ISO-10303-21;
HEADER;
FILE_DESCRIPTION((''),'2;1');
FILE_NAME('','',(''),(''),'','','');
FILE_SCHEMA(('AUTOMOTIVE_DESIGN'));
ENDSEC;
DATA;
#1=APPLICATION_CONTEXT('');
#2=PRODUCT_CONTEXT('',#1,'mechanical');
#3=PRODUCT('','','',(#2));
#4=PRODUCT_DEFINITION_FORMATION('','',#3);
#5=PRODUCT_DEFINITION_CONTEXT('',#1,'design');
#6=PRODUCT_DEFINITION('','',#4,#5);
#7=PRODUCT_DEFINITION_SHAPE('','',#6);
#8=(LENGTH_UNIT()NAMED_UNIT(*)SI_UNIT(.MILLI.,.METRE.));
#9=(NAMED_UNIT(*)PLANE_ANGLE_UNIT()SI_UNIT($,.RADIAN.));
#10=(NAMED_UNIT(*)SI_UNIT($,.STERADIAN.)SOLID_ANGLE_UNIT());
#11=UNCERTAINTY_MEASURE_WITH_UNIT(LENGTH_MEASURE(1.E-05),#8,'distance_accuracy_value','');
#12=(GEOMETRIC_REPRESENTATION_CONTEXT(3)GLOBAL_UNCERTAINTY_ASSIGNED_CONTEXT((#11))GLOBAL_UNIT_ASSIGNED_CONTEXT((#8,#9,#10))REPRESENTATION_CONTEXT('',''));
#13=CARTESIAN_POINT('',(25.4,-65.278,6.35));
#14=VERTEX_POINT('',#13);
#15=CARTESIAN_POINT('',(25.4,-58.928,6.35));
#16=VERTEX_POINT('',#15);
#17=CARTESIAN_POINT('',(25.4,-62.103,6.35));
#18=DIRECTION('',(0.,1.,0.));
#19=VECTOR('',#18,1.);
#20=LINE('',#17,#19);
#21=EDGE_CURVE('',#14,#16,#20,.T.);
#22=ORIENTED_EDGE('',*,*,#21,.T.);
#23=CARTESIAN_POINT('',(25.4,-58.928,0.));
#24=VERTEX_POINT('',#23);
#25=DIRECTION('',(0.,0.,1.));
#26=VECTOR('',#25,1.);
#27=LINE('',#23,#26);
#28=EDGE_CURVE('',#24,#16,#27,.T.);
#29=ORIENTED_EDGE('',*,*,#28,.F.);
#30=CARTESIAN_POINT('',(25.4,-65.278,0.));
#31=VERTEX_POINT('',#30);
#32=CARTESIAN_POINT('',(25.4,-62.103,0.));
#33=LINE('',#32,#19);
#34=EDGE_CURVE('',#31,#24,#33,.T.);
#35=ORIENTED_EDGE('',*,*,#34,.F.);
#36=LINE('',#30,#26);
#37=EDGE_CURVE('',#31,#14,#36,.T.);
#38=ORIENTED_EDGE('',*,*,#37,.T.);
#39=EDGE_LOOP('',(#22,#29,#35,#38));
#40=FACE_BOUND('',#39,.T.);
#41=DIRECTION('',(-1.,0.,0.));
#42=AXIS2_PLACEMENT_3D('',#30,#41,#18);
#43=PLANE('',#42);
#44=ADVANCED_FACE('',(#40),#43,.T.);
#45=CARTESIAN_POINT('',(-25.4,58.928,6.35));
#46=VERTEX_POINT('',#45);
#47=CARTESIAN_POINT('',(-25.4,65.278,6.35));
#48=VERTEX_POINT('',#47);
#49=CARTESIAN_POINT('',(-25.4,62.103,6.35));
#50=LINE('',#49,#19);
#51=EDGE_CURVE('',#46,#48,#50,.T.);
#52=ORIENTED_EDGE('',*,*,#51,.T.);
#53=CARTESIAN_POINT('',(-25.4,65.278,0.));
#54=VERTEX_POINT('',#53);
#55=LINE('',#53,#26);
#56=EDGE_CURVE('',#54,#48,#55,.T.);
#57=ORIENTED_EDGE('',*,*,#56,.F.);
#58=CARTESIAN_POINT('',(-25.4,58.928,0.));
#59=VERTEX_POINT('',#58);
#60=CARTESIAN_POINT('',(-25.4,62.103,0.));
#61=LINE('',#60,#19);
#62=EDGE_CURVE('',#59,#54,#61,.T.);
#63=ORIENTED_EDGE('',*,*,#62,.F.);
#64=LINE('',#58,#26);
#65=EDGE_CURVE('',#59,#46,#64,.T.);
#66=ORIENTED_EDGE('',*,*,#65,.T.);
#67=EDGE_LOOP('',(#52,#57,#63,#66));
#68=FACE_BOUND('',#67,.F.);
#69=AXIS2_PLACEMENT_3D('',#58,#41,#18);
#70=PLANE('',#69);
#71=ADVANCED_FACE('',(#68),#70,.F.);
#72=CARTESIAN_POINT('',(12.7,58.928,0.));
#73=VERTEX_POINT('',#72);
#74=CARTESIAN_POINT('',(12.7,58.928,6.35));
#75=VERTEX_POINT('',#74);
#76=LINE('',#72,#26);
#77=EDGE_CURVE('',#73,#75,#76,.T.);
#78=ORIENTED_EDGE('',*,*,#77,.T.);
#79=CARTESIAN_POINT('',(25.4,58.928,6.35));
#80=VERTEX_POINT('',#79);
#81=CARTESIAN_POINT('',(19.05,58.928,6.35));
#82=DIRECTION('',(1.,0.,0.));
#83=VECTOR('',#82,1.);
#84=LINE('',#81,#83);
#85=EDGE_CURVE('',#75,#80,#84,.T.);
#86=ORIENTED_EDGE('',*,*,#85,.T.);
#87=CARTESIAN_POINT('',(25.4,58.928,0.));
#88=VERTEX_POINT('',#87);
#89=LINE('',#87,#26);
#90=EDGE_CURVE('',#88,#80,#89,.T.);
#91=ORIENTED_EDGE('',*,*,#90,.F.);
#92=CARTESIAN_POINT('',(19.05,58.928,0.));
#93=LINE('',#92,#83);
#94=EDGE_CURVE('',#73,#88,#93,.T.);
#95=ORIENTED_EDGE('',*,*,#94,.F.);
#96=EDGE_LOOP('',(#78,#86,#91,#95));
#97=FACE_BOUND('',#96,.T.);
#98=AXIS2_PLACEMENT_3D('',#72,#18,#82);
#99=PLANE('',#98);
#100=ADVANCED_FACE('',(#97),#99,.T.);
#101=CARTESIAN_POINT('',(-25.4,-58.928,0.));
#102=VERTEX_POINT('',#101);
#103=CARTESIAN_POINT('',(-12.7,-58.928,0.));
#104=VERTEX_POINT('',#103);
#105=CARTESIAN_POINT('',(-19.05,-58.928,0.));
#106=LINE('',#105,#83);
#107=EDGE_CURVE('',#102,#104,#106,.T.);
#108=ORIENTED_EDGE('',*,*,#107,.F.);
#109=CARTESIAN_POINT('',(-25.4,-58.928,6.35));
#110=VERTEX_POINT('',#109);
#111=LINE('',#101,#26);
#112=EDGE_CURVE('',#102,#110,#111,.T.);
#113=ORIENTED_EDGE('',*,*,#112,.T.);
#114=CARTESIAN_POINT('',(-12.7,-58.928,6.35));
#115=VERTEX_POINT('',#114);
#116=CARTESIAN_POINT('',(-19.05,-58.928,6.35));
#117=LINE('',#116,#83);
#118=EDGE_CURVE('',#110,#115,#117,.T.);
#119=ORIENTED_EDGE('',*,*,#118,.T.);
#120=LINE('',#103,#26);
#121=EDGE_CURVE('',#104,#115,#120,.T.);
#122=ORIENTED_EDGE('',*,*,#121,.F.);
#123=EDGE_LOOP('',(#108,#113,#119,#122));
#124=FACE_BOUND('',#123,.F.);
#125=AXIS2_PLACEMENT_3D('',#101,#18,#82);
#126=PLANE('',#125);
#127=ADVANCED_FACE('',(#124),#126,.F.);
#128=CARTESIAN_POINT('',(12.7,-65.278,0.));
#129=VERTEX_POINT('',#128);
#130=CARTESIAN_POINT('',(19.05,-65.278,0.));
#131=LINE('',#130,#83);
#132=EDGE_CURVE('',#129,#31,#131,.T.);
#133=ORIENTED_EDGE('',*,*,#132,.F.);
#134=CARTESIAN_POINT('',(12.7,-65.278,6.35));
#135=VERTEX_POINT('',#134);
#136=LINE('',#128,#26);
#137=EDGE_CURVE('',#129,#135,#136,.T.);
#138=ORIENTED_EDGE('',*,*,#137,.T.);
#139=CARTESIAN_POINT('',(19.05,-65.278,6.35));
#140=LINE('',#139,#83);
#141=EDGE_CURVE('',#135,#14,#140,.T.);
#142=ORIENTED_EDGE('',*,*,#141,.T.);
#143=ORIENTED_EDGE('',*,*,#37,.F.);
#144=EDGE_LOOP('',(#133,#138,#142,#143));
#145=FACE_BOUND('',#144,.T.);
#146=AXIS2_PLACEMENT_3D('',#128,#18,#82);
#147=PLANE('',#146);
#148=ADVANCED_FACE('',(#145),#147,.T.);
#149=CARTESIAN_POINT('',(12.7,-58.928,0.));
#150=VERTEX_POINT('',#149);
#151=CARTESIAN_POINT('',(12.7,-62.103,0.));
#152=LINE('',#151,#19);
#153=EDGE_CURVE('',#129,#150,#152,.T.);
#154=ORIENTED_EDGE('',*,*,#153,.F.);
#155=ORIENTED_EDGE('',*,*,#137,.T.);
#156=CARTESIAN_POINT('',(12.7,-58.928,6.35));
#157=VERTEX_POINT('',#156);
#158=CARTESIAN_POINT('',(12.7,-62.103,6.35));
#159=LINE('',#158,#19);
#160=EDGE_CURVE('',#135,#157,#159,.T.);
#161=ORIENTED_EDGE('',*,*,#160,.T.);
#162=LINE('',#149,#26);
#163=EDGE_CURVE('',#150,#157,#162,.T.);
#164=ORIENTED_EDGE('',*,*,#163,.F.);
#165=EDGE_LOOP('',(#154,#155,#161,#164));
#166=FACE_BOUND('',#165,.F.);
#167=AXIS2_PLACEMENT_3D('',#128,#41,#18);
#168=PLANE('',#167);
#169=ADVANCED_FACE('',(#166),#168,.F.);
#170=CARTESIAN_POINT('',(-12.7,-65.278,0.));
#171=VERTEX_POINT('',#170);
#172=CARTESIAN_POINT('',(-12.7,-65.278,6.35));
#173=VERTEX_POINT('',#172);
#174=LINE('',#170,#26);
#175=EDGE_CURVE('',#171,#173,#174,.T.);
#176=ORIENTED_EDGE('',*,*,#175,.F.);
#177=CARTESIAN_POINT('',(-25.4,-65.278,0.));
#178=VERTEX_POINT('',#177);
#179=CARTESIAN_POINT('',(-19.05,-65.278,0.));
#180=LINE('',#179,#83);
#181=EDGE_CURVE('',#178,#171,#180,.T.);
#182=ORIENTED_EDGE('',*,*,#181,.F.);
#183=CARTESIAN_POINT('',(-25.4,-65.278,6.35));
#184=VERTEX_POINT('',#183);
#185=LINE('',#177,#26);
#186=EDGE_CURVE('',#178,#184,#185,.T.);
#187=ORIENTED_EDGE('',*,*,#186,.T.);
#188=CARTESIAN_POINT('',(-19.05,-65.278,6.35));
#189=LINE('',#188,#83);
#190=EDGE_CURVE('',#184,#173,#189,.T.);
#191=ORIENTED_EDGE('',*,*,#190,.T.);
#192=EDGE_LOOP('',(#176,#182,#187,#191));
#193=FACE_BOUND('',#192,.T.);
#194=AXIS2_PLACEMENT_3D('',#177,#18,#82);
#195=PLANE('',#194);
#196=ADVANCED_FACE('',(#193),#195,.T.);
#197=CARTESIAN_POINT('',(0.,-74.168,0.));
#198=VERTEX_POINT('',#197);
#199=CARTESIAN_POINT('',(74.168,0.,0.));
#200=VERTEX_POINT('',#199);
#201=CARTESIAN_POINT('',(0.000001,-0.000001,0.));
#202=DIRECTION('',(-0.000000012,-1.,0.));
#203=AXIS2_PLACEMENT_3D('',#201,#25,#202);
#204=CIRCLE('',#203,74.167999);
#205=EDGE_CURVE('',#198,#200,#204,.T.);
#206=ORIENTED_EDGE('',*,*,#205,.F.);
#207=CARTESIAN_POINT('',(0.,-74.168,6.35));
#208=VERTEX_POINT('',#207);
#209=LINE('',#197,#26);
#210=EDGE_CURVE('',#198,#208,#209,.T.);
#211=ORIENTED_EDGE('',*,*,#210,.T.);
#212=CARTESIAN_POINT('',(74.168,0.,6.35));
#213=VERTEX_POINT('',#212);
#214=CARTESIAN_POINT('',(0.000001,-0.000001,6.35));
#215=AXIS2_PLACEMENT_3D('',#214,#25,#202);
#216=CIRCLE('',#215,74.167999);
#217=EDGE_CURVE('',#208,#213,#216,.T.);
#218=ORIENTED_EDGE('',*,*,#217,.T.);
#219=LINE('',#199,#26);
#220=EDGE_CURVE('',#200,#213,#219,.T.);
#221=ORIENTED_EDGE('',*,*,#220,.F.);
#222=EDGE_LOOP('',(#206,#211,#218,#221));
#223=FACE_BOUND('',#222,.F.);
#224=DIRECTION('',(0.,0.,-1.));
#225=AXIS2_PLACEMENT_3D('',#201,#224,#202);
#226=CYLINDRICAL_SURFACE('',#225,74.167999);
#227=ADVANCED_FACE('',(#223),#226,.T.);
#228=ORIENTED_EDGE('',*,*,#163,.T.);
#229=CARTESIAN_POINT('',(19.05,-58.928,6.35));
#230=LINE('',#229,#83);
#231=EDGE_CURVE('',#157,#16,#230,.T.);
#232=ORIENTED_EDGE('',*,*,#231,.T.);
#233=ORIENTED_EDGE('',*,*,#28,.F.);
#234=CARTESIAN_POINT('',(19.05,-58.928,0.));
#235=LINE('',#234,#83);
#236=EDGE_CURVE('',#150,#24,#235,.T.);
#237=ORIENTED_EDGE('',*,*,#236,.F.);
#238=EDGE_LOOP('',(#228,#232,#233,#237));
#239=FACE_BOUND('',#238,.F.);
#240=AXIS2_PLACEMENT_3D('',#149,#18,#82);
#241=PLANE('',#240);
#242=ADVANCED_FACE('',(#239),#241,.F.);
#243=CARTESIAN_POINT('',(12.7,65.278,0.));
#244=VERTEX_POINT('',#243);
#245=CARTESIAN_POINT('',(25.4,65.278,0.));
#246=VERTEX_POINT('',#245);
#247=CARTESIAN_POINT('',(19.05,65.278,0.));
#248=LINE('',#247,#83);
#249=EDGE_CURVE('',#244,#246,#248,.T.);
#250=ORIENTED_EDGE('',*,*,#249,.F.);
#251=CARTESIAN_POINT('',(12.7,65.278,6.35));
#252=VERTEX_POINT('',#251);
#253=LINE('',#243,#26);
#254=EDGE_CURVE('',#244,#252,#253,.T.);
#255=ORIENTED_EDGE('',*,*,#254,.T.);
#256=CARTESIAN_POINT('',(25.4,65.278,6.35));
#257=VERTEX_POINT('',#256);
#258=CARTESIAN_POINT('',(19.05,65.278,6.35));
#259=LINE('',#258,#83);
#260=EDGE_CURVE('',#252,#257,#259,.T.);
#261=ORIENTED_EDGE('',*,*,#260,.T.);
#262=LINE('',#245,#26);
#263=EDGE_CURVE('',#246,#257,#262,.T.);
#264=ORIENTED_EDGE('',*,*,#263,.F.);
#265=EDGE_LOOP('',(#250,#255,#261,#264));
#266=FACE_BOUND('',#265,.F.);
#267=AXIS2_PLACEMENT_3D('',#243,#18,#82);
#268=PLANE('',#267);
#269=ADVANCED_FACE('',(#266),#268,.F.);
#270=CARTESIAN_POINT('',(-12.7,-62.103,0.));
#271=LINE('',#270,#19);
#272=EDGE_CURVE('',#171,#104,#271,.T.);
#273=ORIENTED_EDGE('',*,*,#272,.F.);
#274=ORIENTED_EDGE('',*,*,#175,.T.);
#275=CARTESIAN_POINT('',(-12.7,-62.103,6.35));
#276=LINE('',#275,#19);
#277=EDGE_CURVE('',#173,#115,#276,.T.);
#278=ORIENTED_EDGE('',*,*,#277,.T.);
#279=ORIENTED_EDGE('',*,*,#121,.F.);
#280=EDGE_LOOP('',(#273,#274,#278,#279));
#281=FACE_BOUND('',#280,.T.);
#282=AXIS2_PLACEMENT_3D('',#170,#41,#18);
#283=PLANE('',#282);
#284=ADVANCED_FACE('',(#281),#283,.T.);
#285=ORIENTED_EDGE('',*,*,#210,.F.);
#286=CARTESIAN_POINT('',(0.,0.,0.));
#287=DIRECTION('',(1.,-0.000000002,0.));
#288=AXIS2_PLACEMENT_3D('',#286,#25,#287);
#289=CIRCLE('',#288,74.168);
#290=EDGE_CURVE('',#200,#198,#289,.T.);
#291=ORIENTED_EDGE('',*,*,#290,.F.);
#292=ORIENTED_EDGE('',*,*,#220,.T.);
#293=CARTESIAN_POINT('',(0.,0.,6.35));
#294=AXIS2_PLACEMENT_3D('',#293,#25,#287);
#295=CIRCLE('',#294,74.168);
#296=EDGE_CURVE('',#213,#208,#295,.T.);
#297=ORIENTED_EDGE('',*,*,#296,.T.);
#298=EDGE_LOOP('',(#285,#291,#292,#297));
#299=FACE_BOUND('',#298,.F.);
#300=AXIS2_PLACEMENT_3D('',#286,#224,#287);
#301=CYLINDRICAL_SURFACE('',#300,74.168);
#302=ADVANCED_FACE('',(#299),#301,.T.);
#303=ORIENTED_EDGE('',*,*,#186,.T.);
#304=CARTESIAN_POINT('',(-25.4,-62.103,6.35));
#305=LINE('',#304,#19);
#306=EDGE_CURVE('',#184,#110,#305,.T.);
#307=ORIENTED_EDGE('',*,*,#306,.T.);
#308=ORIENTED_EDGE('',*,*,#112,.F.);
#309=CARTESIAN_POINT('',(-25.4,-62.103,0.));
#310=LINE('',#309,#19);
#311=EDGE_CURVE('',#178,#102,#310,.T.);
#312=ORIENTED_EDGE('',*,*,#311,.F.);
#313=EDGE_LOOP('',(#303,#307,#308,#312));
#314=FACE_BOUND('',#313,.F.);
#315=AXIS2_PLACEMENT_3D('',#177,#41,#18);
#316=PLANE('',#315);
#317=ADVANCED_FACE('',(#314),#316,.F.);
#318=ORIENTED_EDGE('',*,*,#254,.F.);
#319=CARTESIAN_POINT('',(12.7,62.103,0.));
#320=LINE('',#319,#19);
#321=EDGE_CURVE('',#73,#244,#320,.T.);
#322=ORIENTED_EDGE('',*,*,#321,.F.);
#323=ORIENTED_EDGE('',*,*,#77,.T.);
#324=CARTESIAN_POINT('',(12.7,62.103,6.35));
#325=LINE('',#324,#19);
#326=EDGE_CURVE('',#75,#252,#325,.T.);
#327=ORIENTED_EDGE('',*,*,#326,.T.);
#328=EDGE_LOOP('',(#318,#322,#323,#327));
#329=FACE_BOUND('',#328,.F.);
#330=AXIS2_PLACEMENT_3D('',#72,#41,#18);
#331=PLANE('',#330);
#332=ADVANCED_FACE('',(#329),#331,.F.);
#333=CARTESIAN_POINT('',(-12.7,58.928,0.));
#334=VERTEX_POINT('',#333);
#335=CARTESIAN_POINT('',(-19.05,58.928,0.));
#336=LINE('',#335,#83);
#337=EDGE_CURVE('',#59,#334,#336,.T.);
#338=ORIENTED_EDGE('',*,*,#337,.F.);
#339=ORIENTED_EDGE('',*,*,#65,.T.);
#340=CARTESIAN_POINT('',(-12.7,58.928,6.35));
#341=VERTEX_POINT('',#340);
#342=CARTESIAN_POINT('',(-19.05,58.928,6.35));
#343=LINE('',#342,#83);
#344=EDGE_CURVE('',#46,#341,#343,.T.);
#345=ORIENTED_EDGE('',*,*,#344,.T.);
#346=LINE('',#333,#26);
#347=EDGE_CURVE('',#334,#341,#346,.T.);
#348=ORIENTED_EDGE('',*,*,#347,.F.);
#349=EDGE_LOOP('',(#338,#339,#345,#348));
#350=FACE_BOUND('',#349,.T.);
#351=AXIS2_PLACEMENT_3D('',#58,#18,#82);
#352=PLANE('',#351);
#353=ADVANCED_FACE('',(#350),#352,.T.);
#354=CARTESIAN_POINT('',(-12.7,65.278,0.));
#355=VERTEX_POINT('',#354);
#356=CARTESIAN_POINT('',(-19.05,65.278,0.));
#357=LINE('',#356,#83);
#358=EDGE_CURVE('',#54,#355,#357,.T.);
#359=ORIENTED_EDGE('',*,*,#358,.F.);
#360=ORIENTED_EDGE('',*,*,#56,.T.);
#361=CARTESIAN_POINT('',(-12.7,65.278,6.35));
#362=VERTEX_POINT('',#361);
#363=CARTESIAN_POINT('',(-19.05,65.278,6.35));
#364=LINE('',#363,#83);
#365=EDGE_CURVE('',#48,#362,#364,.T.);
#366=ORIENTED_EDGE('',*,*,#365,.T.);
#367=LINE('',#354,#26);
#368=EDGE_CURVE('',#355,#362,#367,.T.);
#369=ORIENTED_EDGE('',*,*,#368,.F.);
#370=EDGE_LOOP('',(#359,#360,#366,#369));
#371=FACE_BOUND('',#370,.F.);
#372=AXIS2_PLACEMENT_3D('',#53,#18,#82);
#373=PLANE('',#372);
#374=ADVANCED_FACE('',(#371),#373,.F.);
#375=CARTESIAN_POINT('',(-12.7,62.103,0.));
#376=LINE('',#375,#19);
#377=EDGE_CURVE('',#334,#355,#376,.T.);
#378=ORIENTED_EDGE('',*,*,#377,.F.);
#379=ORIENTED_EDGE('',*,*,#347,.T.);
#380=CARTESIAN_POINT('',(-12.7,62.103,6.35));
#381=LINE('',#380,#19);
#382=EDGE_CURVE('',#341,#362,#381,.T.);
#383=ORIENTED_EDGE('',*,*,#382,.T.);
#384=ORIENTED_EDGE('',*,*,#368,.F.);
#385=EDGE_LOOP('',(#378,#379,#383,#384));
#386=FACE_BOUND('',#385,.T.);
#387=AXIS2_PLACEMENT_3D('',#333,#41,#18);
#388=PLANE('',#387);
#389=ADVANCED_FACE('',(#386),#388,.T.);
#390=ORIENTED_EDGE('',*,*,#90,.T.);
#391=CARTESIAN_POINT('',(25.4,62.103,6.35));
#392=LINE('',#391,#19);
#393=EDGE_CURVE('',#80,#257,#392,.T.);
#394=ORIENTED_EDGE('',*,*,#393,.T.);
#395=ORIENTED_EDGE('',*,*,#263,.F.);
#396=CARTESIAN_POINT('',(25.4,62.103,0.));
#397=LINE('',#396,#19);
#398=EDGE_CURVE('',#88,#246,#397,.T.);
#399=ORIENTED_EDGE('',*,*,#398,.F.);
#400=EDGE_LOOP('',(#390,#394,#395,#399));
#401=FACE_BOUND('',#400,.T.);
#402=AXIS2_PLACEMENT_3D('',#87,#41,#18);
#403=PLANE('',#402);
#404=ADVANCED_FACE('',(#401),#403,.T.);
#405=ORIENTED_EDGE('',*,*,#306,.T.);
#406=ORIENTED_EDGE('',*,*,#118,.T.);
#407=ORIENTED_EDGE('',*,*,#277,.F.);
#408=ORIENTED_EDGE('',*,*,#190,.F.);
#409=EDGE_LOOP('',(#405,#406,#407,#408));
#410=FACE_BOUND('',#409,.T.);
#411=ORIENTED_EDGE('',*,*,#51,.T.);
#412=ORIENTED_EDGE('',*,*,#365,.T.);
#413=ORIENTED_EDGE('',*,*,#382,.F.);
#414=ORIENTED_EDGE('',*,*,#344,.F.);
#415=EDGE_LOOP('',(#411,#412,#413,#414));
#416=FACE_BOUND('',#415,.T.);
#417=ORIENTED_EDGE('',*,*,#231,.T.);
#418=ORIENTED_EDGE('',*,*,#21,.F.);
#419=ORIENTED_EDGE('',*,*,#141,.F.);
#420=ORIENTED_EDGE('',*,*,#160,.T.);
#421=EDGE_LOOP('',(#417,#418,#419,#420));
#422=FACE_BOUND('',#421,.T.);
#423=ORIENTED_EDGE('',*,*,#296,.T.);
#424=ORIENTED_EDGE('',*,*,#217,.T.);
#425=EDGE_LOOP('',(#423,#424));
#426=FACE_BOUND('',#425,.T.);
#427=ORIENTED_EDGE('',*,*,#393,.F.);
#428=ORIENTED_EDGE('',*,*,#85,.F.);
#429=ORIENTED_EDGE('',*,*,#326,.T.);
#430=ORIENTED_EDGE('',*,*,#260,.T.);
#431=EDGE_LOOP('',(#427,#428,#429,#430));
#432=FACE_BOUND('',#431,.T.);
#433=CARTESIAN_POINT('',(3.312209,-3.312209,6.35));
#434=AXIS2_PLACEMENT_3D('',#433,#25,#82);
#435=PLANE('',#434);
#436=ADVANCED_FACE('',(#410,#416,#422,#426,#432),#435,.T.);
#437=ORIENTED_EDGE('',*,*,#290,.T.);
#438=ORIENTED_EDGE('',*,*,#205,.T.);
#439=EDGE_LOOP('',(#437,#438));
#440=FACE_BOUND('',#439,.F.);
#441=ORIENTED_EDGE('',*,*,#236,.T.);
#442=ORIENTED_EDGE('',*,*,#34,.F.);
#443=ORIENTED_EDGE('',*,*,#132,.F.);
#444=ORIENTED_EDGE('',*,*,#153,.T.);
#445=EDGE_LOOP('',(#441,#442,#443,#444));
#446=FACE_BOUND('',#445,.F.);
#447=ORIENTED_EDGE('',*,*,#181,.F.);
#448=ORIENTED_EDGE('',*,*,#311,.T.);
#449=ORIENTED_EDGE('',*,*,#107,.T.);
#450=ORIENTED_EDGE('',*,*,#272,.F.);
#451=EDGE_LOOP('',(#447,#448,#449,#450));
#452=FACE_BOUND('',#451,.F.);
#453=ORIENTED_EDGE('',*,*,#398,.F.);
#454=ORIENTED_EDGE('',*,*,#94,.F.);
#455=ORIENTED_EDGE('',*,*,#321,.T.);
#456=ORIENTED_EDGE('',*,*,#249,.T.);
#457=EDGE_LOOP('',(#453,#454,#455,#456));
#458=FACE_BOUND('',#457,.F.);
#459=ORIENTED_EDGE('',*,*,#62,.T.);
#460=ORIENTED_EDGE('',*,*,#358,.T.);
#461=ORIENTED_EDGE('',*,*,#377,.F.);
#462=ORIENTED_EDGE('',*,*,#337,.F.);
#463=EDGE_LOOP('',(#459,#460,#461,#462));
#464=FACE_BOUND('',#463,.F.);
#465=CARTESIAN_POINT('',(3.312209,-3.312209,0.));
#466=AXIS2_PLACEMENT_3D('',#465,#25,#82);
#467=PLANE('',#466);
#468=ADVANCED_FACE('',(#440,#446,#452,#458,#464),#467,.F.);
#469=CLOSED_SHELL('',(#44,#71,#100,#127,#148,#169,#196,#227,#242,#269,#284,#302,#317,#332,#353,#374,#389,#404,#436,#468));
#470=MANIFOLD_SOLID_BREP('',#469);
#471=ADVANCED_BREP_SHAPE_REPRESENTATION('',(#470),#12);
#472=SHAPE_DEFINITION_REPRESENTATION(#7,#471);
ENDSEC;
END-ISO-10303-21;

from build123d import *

# Parameters (mm, degrees)
F0_W     = 12.7
F0_H     = 6.35
F1_DEPTH = 6.35


with BuildPart() as f1:
    # F0 (on Top) → F1 (new body)
    with BuildSketch(Plane.XY):
        with BuildLine():
            ThreePointArc((0, -74.168), (52.444696, -52.444696), (74.168, 0))
            ThreePointArc((74.168, 0), (-52.444696, 52.444696), (0, -74.168))
        make_face()
        with Locations((-19.05, -62.103)):
            Rectangle(F0_W, F0_H, mode=Mode.SUBTRACT)
        with Locations((19.05, -62.103)):
            Rectangle(F0_W, F0_H, mode=Mode.SUBTRACT)
        with Locations((-19.05, 62.103)):
            Rectangle(F0_W, F0_H, mode=Mode.SUBTRACT)
        with Locations((19.05, 62.103)):
            Rectangle(F0_W, F0_H, mode=Mode.SUBTRACT)
    extrude(amount=F1_DEPTH)


solid = f1.part
